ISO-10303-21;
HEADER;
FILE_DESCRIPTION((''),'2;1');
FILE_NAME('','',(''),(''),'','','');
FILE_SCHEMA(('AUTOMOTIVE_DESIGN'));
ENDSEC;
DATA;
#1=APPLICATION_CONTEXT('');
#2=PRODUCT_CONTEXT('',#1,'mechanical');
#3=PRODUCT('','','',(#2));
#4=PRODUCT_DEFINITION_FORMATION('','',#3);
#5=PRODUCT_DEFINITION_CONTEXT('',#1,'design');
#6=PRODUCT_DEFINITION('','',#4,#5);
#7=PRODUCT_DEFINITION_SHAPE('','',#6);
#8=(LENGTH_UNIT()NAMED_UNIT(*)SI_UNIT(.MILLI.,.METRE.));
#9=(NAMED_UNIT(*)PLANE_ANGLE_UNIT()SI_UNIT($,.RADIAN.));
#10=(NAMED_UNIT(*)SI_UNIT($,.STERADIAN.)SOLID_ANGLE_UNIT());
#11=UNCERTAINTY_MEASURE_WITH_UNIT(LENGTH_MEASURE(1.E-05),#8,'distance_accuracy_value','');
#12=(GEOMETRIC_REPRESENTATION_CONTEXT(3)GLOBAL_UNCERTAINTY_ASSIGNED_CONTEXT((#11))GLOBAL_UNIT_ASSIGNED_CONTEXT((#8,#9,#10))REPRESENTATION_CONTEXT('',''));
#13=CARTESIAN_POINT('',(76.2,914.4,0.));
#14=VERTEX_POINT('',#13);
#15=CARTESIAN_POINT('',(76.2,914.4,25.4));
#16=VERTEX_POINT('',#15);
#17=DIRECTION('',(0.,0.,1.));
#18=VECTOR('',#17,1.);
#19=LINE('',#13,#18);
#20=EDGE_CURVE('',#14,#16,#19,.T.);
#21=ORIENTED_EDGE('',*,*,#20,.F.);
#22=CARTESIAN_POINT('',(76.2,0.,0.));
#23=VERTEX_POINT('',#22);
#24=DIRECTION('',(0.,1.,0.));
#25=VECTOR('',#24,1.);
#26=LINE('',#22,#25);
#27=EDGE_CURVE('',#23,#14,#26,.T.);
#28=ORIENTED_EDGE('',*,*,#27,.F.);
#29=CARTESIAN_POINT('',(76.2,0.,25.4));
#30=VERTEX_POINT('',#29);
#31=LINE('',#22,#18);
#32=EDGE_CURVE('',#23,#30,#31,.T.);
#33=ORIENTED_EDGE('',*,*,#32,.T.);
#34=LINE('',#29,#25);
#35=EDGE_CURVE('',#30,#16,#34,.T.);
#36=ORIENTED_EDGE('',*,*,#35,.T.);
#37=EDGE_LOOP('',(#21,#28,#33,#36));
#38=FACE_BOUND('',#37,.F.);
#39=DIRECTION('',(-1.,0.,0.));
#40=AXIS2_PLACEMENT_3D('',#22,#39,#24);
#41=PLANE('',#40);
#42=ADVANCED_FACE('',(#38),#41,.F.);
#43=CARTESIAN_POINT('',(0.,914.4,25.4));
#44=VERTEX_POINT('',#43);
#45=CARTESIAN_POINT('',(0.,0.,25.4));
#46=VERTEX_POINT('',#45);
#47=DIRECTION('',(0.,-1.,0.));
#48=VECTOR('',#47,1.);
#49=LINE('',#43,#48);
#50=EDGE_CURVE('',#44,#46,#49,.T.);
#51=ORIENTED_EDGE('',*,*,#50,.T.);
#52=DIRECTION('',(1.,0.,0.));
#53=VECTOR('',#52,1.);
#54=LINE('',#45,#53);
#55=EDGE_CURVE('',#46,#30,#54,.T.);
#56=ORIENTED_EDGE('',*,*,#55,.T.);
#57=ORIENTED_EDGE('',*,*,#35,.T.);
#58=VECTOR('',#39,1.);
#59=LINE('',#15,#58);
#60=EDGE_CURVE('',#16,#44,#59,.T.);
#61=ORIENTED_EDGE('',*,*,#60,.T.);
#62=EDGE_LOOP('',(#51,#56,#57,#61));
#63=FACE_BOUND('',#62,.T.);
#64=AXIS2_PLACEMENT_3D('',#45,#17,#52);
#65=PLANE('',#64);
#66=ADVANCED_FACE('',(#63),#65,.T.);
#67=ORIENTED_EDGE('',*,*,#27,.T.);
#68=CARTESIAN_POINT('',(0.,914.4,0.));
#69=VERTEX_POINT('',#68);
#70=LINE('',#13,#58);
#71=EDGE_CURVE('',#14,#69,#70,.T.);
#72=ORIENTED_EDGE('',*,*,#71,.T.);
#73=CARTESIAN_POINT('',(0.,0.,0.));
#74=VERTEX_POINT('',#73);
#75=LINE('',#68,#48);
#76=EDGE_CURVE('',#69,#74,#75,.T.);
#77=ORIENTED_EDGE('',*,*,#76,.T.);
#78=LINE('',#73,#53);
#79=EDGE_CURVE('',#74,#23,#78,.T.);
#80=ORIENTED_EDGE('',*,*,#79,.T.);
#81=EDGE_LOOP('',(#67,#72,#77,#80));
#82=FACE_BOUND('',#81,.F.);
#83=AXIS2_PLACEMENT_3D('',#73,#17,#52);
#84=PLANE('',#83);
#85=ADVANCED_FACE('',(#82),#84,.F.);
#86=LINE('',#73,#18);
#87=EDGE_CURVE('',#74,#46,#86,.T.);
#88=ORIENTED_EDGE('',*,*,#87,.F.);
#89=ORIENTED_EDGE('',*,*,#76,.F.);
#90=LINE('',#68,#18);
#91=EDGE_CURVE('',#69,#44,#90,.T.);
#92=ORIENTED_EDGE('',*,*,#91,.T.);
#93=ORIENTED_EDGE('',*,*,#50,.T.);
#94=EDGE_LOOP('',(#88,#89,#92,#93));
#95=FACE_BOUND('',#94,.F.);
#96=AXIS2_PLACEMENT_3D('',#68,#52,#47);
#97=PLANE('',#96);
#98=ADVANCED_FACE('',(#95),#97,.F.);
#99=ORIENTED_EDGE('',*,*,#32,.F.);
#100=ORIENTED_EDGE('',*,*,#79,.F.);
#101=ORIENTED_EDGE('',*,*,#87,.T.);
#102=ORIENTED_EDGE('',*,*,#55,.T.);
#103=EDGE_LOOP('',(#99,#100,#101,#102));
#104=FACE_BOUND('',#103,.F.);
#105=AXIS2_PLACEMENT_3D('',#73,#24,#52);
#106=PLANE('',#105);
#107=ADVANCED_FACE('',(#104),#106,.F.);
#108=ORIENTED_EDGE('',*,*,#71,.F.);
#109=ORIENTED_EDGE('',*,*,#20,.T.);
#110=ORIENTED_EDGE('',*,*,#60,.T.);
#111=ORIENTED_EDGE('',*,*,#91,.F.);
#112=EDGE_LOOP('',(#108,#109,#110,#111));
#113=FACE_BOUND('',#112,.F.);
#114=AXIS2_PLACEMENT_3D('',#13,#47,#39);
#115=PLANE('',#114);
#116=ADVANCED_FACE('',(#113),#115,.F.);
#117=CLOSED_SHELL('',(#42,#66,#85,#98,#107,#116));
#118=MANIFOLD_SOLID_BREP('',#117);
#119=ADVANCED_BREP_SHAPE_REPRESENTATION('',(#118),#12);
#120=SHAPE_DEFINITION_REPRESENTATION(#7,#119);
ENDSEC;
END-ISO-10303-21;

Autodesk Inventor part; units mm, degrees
ref_plane "YZ Plane" through (0, 0, 0) normal (1, 0, 0) x (0, 1, 0)
ref_plane "XZ Plane" through (0, 0, 0) normal (0, 1, 0) x (-1, 0, 0)
ref_plane "XY Plane" through (0, 0, 0) normal (0, 0, 1) x (1, 0, 0)
sketch "Sketch1" plane through (0, 0, 0) normal (0, 0, 1) x (1, 0, 0)
  line L0 (0, 0) -> (76.2, 0)
  line L1 (76.2, 0) -> (76.2, 914.4)
  line L2 (76.2, 914.4) -> (0, 914.4)
  line L3 (0, 914.4) -> (0, 0)
  dimension "d0" = 76.2
  dimension "d1" = 914.4
extrude "Extrusion1" add sketch "Sketch1" along normal blind 25.4
properties part number "vertical beams" material "Wood (Oak)"
